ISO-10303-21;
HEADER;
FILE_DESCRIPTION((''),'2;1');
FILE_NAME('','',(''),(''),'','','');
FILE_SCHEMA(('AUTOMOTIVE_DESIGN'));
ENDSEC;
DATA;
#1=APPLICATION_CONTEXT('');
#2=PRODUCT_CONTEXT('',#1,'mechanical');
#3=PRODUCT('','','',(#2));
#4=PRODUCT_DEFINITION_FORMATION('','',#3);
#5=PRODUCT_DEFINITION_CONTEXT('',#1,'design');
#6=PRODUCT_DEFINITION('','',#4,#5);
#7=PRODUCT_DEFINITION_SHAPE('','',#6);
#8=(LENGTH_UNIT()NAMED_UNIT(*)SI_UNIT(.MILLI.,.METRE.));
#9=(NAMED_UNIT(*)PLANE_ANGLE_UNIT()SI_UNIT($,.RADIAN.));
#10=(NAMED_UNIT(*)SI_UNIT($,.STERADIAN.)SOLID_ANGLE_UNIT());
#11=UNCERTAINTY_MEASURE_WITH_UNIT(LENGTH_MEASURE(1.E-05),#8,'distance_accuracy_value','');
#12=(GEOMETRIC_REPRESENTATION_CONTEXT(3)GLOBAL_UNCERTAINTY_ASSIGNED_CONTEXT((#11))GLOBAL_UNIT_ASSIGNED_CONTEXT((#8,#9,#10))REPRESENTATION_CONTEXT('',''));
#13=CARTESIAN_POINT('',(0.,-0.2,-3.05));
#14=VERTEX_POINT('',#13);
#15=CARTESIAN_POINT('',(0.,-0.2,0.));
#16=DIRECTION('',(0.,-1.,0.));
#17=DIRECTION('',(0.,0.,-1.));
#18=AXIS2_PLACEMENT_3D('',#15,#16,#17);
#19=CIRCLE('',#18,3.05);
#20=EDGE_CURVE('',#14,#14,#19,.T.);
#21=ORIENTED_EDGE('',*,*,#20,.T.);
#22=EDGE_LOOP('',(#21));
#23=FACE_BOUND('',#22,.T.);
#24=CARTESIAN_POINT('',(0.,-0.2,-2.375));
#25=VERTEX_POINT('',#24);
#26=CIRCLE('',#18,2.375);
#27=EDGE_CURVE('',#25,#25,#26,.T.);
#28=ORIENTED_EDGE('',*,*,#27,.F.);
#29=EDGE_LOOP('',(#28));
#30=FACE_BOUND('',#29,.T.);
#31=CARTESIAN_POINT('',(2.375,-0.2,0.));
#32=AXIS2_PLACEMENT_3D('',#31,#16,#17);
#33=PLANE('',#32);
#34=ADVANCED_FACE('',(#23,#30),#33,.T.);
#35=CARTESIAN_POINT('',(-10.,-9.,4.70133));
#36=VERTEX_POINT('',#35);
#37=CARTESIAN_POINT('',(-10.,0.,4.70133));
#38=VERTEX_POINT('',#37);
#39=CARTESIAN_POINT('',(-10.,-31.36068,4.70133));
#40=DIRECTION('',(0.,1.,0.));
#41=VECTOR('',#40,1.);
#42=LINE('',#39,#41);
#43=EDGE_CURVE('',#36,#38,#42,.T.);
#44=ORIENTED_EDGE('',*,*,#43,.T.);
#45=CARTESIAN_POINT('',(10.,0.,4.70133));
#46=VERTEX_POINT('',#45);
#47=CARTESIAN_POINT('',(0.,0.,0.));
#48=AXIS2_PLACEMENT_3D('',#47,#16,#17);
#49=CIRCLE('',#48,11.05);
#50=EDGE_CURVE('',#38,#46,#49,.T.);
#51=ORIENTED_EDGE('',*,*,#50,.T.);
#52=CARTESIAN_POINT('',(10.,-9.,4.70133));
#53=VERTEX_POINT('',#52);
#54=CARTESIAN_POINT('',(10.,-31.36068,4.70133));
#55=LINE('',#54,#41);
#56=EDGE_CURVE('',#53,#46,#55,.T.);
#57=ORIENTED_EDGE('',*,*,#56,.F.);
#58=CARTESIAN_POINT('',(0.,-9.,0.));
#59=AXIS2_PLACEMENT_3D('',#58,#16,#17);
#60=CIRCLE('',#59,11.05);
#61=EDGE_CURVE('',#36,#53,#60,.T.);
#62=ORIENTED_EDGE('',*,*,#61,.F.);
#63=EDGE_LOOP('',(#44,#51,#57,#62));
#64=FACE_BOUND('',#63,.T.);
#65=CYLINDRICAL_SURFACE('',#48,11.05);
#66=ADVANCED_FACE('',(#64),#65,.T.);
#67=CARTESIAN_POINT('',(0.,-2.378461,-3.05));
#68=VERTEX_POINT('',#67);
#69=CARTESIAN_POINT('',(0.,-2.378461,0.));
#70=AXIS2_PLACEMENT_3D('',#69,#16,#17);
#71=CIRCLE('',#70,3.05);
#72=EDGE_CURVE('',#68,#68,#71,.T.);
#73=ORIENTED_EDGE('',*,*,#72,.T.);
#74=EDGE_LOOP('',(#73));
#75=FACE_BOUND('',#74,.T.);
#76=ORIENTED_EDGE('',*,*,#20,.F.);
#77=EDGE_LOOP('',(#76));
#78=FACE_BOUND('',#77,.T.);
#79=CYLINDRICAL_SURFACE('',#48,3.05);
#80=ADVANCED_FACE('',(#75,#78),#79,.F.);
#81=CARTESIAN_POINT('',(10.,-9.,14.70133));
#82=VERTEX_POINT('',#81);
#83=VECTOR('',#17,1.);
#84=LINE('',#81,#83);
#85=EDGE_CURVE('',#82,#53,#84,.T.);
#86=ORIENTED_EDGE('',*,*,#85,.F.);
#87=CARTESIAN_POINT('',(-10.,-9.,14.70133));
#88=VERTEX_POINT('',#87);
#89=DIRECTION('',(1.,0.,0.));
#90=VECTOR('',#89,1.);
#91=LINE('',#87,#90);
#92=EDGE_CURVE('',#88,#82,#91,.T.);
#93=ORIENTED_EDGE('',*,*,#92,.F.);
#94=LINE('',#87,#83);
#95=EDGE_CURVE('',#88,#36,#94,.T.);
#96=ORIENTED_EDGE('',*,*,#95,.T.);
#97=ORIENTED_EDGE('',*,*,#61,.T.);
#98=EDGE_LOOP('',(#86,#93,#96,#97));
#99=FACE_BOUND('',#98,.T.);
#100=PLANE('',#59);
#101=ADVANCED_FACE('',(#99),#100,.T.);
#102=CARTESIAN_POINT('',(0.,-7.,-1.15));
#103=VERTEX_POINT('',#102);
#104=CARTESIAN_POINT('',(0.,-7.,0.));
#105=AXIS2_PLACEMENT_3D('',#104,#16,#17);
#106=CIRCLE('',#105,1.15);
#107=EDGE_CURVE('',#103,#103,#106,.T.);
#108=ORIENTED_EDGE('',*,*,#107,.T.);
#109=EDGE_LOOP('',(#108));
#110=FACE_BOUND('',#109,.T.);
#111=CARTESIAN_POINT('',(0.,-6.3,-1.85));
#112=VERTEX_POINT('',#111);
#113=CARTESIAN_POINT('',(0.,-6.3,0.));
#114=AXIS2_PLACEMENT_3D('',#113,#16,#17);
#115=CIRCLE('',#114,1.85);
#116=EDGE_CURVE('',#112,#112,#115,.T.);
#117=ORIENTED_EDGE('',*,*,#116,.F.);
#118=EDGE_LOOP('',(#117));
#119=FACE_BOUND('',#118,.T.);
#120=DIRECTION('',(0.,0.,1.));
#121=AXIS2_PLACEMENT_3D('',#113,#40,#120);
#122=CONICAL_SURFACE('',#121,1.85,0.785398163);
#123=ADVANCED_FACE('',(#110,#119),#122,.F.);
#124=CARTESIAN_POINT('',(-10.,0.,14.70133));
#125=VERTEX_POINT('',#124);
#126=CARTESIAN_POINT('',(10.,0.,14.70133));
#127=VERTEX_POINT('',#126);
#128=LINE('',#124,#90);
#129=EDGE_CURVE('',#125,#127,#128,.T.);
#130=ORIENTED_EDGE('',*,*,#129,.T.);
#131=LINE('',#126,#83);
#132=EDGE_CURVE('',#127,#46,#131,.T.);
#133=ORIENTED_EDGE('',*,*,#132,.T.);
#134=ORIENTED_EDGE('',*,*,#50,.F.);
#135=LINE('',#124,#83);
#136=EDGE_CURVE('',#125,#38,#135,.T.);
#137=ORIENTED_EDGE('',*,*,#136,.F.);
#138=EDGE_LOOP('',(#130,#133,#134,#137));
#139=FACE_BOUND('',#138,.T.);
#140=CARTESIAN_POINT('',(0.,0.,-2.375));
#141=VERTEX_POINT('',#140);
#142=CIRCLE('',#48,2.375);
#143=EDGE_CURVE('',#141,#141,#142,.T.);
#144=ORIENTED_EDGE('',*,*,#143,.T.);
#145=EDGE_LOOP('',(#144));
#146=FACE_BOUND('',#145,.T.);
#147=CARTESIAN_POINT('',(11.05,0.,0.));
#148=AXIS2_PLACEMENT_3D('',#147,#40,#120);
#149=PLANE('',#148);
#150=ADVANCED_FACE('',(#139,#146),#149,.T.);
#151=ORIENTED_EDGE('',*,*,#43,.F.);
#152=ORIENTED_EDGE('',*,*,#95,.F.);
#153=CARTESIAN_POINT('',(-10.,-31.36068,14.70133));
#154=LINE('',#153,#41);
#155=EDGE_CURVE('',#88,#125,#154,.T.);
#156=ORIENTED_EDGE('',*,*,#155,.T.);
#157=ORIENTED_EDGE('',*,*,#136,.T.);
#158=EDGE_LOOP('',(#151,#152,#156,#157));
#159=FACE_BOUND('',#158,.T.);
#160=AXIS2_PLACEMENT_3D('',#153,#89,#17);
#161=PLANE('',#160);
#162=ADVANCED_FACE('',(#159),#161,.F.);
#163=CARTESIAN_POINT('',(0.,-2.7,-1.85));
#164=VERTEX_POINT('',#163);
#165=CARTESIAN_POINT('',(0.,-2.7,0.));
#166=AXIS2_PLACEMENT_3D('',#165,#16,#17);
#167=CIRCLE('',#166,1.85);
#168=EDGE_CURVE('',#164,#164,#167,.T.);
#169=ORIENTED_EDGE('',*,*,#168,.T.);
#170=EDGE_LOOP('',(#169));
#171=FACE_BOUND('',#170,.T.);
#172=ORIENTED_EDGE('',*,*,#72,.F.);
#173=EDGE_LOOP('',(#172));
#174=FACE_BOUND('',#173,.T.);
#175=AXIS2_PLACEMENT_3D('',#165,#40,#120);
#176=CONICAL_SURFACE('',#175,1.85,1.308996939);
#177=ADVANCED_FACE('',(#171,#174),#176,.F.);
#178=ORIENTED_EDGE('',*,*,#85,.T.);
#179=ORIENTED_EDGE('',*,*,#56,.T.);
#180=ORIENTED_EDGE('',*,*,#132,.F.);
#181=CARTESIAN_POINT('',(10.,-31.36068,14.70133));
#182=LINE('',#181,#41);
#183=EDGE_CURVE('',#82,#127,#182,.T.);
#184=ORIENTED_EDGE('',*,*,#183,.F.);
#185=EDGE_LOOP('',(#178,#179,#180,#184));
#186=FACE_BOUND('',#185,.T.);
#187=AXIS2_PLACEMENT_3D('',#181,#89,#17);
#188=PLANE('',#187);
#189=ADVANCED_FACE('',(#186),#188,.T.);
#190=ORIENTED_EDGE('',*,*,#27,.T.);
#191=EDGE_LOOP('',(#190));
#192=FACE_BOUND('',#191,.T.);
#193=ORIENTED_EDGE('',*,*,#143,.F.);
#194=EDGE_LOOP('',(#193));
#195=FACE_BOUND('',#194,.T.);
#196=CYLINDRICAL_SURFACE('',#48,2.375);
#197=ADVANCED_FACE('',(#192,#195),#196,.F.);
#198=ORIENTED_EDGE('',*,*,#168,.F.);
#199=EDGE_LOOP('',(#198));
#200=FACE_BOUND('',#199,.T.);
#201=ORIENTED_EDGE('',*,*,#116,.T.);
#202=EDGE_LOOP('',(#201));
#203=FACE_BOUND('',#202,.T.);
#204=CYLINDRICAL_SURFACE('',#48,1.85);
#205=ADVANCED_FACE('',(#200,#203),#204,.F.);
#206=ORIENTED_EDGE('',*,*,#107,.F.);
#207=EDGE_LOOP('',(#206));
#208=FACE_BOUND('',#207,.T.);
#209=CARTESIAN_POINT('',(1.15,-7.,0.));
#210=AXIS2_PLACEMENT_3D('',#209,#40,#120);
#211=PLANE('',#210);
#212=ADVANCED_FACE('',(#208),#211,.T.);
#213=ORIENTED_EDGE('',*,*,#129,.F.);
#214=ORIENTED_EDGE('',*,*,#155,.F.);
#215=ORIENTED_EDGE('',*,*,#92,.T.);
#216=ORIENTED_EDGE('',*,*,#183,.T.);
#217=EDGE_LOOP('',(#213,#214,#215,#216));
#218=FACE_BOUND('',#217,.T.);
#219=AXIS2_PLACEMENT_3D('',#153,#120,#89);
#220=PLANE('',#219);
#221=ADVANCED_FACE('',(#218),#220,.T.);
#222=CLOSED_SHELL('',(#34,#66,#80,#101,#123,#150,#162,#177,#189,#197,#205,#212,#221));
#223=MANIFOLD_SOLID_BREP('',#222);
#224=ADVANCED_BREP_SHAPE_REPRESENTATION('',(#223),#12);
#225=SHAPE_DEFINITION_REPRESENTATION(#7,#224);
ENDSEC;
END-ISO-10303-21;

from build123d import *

# Parameters (mm, degrees)
SKETCH2_W           = 20
SKETCH2_H           = 10
BOSS_EXTRUDE1_DEPTH = 9


with BuildPart() as part:
    # Sketch1 → Revolve1 (revolve)
    with BuildSketch(Plane.XY):
        Polygon((11.05, 0), (2.375, 0), (2.375, -0.2), (3.05, -0.2), (3.05, -2.378460969), (1.85, -2.7), (1.85, -6.3), (1.15, -7), (0, -7), (0, -9), (11.05, -9), align=None)
    revolve(axis=Axis((0, 0, 0), (0, 1, 0)))

    # Sketch2 → Boss-Extrude1 (add)
    with BuildSketch(Plane(origin=(0, 0, 0), x_dir=(1, 0, 0), z_dir=(0, 1, 0))):
        with Locations((0, -9.701329599)):
            Rectangle(SKETCH2_W, SKETCH2_H)
    extrude(amount=-BOSS_EXTRUDE1_DEPTH)


solid = part.part
